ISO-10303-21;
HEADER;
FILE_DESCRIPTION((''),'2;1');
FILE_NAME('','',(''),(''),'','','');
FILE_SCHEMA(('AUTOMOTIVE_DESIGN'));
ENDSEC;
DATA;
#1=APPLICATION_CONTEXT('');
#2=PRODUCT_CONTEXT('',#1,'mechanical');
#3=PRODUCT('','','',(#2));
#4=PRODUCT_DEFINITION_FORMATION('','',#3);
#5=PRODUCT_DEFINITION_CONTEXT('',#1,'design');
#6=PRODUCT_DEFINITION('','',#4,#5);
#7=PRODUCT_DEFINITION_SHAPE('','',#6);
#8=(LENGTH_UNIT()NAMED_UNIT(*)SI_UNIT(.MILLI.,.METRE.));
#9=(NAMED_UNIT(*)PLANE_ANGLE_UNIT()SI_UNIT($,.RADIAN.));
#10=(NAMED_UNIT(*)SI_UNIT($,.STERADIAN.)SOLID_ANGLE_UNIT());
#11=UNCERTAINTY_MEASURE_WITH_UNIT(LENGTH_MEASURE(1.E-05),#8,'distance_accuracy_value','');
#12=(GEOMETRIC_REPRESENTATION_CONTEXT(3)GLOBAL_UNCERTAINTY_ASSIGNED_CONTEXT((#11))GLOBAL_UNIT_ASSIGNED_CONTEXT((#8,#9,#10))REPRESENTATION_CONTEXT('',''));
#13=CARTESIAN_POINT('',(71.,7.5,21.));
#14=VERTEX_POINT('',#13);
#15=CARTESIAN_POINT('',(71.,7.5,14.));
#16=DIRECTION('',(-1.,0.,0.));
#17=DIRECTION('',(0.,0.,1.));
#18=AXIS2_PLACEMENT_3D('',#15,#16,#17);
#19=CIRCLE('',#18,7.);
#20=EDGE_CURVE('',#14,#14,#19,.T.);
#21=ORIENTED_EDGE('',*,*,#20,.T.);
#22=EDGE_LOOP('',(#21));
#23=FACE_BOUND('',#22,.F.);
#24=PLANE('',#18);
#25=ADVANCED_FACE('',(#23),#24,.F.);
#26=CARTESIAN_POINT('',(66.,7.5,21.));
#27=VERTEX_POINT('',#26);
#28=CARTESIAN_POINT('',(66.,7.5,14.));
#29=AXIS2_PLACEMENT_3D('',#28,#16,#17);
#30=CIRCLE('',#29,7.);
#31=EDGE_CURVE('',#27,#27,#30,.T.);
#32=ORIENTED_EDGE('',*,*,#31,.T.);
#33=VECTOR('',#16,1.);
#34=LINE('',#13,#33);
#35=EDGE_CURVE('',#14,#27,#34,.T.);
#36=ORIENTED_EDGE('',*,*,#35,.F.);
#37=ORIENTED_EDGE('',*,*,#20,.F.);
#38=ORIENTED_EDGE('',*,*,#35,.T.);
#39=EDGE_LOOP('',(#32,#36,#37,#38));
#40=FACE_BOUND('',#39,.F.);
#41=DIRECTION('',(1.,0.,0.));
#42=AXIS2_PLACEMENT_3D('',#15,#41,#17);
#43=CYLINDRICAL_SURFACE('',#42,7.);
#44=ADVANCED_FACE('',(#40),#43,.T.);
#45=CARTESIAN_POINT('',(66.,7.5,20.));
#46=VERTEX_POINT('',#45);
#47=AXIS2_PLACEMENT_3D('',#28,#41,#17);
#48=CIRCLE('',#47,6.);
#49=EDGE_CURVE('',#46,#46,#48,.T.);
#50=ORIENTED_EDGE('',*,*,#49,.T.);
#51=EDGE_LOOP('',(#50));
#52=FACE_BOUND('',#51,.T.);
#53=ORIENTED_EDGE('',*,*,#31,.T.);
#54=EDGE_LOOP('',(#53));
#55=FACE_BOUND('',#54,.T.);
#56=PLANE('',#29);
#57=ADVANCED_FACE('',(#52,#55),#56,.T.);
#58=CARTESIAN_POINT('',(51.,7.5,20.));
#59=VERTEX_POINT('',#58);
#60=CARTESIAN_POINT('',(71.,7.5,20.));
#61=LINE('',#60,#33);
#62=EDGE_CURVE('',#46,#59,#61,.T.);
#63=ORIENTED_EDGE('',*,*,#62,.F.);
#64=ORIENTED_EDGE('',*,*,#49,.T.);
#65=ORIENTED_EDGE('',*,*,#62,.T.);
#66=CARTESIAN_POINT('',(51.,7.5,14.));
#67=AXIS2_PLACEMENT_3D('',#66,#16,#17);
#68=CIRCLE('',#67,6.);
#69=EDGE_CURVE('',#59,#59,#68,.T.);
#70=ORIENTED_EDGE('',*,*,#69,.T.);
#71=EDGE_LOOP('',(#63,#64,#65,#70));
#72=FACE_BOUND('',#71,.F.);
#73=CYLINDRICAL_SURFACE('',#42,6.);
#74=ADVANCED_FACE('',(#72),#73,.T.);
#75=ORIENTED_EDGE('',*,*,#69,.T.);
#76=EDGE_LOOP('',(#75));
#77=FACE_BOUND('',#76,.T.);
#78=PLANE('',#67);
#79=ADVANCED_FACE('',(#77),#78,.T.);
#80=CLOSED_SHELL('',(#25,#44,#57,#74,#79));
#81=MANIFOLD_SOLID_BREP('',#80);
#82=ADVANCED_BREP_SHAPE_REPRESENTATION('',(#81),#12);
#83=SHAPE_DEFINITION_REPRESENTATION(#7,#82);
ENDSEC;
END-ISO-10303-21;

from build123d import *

# Parameters (mm, degrees)
CYLINDER071_R             = 7
CYLINDER071_DEPTH         = 5
CYLINDER070_R             = 6
CYLINDER070_DEPTH         = 20
FUSION022_PLACEMENT_ANGLE = 90


with BuildPart() as cylinder071:
    # Cylinder071 → Cylinder071 (new body)
    with BuildSketch(Plane.XY):
        Circle(CYLINDER071_R)
    extrude(amount=CYLINDER071_DEPTH)


with BuildPart() as powerswitch001:
    # Cylinder070 → Cylinder070 (new body)
    with BuildSketch(Plane.XY):
        Circle(CYLINDER070_R)
    extrude(amount=CYLINDER070_DEPTH)

    # Fusion022: union Cylinder071
    add(cylinder071.part)


with BuildPart() as powerswitch001_1:
    # Fusion022 placement: moved
    add(powerswitch001.part.moved(Location((71, 7.5, 14))).rotate(Axis((71, 7.5, 14), (0, -1, 0)), FUSION022_PLACEMENT_ANGLE))


solid = powerswitch001_1.part
